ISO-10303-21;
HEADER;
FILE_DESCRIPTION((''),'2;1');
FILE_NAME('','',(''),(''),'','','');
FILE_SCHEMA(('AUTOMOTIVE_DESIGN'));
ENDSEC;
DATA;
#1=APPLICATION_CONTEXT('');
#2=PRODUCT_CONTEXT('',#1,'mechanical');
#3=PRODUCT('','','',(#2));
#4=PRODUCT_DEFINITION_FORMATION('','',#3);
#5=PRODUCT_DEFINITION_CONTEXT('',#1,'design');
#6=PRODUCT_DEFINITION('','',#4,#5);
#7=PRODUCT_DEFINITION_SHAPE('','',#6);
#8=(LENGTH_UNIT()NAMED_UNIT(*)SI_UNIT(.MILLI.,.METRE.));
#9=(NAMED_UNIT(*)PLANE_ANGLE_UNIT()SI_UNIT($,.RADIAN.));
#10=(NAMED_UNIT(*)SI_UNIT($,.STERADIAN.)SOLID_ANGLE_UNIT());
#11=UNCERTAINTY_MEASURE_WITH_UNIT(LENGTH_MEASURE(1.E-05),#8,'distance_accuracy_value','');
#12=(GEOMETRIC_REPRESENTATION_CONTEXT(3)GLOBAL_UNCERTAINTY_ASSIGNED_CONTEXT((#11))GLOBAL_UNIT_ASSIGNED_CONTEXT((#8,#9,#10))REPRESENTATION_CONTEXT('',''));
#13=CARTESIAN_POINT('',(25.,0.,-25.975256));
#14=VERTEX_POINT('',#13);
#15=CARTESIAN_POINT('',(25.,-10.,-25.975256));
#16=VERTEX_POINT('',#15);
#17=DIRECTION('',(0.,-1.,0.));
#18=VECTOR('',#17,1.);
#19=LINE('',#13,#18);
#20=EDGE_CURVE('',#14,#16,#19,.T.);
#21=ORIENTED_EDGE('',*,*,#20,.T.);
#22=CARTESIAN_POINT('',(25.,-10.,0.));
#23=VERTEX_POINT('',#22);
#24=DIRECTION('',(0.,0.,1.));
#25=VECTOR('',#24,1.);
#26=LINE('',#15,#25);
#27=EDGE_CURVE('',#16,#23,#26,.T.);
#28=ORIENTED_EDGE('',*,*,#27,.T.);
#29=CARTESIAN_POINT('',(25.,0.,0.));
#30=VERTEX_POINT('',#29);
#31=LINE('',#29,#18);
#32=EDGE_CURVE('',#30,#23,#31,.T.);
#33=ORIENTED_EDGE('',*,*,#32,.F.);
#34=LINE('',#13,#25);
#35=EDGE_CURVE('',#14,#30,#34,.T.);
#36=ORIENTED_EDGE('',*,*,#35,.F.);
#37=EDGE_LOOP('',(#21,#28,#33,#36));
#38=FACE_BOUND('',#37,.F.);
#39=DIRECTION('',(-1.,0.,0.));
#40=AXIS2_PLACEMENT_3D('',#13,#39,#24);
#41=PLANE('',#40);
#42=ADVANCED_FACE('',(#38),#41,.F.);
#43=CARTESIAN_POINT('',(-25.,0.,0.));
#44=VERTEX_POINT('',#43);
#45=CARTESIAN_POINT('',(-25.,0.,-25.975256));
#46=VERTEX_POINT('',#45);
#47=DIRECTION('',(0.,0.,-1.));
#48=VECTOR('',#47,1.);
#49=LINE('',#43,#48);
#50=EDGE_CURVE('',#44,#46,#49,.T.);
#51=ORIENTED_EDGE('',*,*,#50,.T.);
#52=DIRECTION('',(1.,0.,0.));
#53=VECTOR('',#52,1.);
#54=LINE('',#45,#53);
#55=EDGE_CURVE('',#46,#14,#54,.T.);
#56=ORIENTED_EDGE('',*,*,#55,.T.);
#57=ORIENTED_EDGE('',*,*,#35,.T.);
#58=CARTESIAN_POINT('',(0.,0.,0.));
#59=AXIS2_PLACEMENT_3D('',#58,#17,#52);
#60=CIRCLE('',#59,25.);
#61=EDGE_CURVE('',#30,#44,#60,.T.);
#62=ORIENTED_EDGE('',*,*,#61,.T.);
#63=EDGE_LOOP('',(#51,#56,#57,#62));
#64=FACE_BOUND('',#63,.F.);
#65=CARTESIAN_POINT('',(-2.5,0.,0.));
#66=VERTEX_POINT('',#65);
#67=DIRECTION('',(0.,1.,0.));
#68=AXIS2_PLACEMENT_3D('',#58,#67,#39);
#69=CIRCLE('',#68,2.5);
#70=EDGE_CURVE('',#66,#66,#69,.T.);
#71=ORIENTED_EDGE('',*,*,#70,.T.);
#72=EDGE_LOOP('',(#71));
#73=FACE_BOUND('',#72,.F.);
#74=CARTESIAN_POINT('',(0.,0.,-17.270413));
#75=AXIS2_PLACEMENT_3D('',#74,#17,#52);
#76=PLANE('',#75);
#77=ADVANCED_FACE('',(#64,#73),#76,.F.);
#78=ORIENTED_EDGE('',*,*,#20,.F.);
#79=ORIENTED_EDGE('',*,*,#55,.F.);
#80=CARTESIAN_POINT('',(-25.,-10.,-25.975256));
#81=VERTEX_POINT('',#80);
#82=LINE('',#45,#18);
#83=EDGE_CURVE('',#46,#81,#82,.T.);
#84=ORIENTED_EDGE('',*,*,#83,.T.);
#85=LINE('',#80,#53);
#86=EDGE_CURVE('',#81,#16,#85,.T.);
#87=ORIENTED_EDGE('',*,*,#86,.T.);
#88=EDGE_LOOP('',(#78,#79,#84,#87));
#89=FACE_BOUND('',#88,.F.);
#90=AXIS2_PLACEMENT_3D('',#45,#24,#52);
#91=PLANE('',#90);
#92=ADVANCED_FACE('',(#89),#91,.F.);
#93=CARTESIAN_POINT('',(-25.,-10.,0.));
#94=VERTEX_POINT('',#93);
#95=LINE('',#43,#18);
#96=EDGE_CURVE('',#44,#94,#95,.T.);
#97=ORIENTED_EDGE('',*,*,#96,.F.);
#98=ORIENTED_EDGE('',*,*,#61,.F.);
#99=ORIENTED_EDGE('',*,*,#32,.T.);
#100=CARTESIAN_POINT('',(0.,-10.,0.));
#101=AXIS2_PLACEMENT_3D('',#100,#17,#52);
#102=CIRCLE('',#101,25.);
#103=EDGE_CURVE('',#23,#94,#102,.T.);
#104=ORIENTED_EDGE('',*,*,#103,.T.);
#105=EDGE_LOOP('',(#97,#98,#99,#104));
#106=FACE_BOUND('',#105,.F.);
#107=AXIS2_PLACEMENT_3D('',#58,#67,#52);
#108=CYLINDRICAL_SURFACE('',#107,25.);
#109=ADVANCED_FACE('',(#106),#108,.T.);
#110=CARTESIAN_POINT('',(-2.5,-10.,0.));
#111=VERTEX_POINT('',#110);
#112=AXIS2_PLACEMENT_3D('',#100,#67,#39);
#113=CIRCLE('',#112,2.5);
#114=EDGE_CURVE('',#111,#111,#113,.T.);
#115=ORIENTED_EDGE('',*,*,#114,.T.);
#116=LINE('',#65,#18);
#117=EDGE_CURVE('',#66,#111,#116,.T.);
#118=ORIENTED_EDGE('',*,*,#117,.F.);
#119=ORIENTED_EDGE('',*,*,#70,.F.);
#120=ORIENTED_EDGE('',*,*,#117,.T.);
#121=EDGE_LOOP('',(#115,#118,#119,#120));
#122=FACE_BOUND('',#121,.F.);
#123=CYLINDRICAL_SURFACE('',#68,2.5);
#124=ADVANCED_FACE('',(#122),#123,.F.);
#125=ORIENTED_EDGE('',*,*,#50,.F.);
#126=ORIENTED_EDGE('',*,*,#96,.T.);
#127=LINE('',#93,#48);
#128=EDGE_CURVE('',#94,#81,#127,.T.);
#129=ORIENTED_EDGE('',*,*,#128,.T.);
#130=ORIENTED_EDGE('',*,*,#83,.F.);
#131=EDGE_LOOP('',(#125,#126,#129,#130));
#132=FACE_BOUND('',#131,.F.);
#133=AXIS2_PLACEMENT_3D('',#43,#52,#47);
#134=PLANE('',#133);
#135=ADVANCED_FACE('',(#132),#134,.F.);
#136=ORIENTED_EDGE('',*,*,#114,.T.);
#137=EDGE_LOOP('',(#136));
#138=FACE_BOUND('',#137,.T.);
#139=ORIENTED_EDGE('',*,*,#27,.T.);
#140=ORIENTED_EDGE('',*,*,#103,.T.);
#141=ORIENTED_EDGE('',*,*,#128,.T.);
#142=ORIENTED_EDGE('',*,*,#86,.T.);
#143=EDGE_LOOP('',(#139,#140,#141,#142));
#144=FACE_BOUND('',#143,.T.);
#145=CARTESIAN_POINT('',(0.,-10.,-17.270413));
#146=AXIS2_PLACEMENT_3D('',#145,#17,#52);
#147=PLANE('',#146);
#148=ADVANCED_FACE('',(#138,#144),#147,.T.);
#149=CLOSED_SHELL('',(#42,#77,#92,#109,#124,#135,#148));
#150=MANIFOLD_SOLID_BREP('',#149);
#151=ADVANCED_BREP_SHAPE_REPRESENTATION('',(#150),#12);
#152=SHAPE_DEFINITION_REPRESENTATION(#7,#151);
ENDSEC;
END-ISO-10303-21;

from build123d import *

# Parameters (mm, degrees)
F1_DEPTH = 10


with BuildPart() as f1:
    # F0 (on Front) → F1 (new body)
    with BuildSketch(Plane.XZ):
        with BuildLine():
            Line((25, -25.975256), (25, 0))
            ThreePointArc((25, 0), (0, -25), (-25, 0))
            Line((-25, 0), (-25, -25.975256))
            Line((-25, -25.975256), (25, -25.975256))
        make_face()
        with BuildLine():
            Line((2.5, 0), (25, 0))
            ThreePointArc((25, 0), (0, 25), (-25, 0))
            Line((-25, 0), (-2.5, 0))
            ThreePointArc((-2.5, 0), (0, 2.5), (2.5, 0))
        make_face()
        with BuildLine():
            ThreePointArc((-25, 0), (0, -25), (25, 0))
            Line((25, 0), (2.5, 0))
            ThreePointArc((2.5, 0), (0, -2.5), (-2.5, 0))
            Line((-2.5, 0), (-25, 0))
        make_face()
    extrude(amount=F1_DEPTH)


solid = f1.part
